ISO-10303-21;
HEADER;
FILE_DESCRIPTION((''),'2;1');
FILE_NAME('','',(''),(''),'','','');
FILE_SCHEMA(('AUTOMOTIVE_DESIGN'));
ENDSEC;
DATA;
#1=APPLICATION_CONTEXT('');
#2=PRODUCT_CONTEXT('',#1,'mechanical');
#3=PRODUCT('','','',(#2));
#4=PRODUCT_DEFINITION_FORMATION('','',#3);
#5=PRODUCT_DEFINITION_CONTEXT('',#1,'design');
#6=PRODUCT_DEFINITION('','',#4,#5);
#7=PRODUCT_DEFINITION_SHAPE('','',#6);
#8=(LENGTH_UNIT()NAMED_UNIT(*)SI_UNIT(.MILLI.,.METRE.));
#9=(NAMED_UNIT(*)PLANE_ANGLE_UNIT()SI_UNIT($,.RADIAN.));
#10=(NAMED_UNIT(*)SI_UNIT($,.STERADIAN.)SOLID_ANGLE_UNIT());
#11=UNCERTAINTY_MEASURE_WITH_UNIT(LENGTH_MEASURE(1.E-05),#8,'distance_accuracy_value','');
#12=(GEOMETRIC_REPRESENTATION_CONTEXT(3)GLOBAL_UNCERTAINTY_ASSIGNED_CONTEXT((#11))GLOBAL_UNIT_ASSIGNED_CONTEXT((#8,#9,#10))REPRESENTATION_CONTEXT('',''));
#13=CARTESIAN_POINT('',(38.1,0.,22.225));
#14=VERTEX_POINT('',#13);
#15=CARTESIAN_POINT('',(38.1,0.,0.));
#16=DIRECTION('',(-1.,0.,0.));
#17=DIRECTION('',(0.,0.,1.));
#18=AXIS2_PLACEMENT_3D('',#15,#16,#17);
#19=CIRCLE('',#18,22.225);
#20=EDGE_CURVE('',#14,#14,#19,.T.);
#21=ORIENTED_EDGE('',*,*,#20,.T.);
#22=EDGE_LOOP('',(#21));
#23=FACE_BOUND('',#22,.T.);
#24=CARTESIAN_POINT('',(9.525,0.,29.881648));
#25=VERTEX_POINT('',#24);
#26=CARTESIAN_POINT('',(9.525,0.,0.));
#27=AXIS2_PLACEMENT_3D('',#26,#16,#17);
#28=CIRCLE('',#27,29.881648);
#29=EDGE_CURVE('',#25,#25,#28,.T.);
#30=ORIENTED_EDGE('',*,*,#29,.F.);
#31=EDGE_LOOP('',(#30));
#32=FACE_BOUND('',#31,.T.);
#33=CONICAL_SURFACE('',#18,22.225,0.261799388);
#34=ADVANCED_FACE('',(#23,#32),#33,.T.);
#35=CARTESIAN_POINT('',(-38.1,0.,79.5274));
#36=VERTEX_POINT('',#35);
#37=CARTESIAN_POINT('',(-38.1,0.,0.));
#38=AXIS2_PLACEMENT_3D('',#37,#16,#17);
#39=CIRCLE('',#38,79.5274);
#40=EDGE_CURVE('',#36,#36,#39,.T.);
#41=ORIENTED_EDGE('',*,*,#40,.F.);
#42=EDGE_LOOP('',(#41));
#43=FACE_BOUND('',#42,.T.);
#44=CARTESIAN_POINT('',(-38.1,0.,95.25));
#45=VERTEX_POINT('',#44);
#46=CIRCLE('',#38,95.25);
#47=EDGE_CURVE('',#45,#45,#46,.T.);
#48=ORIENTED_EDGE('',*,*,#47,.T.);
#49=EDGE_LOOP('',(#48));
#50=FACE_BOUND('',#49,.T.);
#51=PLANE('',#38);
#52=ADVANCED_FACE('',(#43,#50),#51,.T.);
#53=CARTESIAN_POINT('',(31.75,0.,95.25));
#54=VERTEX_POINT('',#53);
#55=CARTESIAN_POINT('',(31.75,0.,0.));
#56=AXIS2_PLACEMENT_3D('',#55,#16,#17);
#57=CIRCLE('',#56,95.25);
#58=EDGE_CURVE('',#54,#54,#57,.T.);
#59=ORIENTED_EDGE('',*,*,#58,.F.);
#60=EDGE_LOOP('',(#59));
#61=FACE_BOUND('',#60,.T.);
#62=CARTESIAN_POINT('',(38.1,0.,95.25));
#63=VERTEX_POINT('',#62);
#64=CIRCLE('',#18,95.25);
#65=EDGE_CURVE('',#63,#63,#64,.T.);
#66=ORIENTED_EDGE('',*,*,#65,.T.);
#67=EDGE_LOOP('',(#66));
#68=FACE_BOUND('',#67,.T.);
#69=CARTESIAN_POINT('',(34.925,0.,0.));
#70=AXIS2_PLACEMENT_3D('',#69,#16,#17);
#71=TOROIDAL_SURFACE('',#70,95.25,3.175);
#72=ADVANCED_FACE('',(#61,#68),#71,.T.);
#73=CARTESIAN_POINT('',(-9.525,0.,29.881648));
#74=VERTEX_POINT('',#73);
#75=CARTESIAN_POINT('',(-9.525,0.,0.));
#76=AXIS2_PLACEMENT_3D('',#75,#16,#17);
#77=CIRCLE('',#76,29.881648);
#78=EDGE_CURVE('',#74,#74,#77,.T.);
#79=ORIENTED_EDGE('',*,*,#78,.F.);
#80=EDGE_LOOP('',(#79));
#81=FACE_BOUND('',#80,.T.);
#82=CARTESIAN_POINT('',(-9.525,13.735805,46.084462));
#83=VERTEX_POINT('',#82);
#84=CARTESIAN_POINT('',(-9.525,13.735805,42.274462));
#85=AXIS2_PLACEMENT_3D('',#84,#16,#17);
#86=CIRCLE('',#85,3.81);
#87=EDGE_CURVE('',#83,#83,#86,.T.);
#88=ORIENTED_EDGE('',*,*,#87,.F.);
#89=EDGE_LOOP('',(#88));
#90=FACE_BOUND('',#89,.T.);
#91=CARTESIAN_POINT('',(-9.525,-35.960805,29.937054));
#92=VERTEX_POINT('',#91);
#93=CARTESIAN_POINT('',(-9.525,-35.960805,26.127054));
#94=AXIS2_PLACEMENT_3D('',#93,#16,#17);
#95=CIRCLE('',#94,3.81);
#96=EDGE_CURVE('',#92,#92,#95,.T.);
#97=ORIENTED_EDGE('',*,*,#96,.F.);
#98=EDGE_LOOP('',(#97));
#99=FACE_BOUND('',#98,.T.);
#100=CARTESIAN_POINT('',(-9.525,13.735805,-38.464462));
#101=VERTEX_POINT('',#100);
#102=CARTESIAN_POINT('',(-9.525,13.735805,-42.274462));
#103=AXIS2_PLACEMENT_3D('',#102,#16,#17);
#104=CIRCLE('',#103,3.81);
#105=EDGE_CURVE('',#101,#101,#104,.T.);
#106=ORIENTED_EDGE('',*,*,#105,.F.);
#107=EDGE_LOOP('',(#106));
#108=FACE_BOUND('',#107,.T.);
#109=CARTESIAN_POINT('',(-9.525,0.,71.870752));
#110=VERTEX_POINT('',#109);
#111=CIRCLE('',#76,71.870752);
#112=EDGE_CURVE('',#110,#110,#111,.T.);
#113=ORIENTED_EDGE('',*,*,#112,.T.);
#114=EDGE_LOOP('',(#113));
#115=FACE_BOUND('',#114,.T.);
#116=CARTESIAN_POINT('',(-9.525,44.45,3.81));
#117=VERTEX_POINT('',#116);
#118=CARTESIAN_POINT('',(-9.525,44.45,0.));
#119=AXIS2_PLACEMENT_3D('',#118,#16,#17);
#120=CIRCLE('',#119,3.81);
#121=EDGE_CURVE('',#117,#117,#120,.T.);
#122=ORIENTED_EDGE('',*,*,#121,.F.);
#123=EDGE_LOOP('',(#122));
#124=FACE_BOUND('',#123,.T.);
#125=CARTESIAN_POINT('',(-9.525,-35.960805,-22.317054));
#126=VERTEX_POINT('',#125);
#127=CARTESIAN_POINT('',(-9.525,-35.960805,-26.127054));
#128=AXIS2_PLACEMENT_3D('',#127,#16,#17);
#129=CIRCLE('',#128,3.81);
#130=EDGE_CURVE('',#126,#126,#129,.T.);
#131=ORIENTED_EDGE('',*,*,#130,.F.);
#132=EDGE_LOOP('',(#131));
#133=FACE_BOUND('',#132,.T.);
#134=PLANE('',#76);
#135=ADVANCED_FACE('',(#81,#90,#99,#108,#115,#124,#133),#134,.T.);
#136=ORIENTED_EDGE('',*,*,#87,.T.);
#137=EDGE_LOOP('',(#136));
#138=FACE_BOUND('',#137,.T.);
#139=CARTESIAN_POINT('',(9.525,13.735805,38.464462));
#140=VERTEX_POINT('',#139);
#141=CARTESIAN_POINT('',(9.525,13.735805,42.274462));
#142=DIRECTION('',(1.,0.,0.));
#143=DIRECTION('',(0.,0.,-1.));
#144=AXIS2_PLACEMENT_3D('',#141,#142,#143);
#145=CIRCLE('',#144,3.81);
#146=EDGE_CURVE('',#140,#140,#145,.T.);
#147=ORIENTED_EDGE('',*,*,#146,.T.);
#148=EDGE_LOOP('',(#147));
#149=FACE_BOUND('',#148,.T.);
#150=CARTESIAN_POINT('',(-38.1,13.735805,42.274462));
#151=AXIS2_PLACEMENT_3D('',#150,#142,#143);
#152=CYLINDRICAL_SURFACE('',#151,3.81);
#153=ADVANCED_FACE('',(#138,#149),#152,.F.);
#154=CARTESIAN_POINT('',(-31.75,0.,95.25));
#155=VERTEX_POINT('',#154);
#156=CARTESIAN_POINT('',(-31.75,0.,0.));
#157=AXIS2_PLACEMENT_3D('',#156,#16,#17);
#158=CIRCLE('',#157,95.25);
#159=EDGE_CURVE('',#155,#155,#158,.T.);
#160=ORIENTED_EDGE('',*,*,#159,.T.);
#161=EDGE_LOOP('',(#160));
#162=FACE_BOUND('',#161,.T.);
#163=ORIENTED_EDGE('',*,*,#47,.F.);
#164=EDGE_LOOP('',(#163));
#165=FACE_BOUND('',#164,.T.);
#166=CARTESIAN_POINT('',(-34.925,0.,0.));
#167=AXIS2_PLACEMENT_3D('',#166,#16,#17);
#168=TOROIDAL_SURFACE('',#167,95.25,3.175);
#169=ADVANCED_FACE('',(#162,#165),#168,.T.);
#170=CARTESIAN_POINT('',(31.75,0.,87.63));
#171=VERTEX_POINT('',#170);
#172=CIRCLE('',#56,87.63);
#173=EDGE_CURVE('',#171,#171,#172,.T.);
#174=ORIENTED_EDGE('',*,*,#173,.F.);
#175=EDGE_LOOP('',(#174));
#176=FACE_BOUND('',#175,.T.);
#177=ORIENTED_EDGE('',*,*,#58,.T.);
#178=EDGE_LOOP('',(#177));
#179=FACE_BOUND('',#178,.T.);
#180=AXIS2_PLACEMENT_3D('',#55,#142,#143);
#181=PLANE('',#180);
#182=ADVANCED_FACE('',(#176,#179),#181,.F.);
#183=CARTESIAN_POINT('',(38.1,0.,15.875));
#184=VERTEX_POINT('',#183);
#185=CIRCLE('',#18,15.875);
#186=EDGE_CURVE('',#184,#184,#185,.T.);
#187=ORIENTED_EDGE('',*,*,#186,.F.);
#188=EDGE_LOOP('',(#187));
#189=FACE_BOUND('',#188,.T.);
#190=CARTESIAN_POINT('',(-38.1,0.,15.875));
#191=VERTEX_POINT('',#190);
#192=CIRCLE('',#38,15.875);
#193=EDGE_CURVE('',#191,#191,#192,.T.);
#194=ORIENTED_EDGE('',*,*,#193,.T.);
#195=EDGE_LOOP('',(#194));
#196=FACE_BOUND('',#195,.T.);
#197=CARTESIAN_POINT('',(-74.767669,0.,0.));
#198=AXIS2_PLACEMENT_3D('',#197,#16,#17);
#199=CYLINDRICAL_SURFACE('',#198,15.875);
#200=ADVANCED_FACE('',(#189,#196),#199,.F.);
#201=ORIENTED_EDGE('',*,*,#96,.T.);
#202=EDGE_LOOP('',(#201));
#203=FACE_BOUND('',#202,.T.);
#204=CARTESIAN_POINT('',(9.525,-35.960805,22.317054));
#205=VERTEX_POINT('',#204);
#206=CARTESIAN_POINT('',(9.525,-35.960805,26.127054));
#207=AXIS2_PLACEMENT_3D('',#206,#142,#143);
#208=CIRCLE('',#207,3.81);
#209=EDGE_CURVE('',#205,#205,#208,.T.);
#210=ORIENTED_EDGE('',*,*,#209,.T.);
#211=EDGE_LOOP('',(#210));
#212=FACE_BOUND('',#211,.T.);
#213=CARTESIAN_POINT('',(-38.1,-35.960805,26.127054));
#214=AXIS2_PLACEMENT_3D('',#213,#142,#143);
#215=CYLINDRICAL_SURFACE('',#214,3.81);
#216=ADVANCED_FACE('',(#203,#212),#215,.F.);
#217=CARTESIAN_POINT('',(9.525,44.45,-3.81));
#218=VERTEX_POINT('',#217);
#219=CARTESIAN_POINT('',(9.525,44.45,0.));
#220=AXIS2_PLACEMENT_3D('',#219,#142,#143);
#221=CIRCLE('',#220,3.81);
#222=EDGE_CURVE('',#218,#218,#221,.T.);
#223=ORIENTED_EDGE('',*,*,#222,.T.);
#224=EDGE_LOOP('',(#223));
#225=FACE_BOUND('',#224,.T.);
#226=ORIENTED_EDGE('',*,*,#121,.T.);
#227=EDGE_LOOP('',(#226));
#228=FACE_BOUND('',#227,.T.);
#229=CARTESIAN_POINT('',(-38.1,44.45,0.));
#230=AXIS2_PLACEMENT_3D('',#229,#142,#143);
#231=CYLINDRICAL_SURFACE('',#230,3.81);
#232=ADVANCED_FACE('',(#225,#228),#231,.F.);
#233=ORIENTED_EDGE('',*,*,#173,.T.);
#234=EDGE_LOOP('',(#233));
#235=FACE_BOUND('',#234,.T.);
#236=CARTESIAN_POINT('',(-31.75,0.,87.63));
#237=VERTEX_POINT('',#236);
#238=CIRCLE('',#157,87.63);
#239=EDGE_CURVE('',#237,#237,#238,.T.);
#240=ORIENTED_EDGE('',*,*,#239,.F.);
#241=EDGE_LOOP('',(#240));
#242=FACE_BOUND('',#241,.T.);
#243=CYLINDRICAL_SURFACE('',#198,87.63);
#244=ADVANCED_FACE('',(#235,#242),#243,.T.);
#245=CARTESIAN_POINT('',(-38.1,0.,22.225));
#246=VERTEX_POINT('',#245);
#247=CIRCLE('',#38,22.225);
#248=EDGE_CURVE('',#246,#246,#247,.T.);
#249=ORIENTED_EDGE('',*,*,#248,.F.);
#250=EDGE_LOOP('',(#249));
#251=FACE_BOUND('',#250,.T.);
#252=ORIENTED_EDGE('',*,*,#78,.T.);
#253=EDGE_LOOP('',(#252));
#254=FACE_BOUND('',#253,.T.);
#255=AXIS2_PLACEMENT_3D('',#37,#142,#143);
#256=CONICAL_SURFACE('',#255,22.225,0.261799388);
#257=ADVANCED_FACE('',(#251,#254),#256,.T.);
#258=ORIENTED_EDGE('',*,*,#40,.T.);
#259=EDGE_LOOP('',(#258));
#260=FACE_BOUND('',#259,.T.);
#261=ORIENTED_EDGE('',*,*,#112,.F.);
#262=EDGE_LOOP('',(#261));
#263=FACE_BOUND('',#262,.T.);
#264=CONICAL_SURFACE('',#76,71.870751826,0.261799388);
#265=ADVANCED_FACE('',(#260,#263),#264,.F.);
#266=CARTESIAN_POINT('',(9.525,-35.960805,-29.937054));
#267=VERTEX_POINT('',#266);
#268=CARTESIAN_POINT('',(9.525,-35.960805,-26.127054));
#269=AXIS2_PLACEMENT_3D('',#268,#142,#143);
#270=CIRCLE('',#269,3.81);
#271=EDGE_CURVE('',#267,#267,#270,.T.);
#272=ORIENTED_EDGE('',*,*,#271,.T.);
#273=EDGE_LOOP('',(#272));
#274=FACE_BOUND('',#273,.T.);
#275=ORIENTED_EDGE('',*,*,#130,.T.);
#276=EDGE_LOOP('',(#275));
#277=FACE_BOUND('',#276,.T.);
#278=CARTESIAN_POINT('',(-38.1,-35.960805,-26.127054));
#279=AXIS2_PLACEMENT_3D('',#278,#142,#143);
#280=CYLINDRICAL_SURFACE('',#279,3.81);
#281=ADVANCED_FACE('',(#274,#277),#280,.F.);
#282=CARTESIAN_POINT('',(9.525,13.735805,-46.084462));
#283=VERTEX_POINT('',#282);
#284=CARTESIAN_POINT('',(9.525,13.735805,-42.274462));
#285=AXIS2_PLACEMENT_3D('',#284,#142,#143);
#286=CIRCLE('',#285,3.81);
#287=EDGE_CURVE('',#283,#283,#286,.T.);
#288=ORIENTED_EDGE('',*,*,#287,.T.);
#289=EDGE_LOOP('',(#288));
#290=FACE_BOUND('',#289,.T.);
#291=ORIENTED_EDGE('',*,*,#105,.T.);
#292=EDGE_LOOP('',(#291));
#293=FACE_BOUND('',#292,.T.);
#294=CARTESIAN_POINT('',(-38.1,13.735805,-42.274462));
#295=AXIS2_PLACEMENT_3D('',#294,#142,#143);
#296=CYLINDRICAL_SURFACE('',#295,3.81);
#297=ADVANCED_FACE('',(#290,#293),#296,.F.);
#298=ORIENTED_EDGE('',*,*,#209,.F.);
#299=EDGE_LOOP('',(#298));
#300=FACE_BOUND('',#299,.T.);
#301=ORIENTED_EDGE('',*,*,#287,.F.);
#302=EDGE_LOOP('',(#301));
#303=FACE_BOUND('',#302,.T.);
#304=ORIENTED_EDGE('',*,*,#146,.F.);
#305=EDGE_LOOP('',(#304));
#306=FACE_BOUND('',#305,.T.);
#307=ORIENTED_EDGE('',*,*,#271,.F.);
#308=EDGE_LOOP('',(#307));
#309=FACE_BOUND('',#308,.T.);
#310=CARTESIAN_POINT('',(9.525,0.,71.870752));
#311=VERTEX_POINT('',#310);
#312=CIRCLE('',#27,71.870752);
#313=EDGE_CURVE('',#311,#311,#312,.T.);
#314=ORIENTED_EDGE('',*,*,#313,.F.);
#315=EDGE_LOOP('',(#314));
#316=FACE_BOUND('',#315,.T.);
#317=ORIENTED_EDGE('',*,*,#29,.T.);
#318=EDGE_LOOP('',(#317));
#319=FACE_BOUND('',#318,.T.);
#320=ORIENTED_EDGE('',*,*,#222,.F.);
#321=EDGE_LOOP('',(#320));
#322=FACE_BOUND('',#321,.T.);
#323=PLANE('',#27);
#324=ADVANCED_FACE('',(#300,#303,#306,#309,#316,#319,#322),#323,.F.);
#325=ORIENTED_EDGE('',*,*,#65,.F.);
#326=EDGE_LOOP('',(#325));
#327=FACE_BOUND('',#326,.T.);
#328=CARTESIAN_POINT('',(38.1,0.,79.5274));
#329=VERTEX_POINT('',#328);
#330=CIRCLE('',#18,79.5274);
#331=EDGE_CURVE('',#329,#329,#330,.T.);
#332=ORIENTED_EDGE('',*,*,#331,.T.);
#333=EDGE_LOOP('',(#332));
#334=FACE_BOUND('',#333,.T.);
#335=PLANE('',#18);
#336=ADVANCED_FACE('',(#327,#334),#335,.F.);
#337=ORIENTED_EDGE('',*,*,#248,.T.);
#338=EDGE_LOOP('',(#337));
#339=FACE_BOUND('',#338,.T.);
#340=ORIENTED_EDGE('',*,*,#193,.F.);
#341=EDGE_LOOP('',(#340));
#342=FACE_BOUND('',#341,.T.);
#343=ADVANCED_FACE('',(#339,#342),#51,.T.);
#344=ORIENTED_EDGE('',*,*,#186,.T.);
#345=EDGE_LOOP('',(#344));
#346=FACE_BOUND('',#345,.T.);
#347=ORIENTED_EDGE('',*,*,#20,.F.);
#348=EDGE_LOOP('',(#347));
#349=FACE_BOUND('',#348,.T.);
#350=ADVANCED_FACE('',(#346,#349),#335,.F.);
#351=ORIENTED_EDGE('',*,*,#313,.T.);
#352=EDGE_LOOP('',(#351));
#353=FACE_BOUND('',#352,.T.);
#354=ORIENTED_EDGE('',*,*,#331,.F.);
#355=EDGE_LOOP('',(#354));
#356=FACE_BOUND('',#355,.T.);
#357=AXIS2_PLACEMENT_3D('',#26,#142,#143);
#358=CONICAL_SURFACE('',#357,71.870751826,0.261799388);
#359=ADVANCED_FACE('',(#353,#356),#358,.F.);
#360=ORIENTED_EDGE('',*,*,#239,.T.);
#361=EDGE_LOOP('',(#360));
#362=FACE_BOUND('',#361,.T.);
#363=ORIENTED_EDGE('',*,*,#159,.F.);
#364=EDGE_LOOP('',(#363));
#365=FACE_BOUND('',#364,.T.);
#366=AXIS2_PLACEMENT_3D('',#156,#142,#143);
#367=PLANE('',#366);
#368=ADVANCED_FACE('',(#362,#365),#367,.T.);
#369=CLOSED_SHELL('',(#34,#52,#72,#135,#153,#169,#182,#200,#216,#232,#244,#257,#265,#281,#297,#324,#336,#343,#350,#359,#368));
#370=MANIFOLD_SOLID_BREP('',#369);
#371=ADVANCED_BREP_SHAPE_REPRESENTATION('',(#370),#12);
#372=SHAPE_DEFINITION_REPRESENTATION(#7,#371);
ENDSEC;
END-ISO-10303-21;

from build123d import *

# Parameters (mm, degrees)
SKETCH2_R          = 3.81
CUT_EXTRUDE1_DEPTH = 148.115947179


with BuildPart() as part:
    # Sketch1 → Revolve1 (revolve)
    with BuildSketch(Plane.XY, mode=Mode.PRIVATE) as revolve1_sk:
        with BuildLine():
            ThreePointArc((-38.1, 95.25), (-34.925, 98.425), (-31.75, 95.25))
            Line((-31.75, 95.25), (-31.75, 87.63))
            Line((-31.75, 87.63), (31.75, 87.63))
            Line((31.75, 87.63), (31.75, 95.25))
            ThreePointArc((31.75, 95.25), (34.925, 98.425), (38.1, 95.25))
            Line((38.1, 95.25), (38.1, 79.5274))
            Line((38.1, 79.5274), (9.525, 71.870751826))
            Line((9.525, 71.870751826), (9.525, 29.881648174))
            Line((9.525, 29.881648174), (38.1, 22.225))
            Line((38.1, 22.225), (38.1, 15.875))
            Line((38.1, 15.875), (-38.1, 15.875))
            Line((-38.1, 15.875), (-38.1, 22.225))
            Line((-38.1, 22.225), (-9.525, 29.881648174))
            Line((-9.525, 29.881648174), (-9.525, 71.870751826))
            Line((-9.525, 71.870751826), (-38.1, 79.5274))
            Line((-38.1, 79.5274), (-38.1, 95.25))
        make_face()
    revolve(revolve1_sk.sketch.rotate(Axis((-74.767669173, 0, 0), (1, 0, 0)), 90), axis=Axis((-74.767669173, 0, 0), (1, 0, 0)))

    # Sketch2 → Cut-Extrude1 (cut, through all)
    with BuildSketch(Plane(origin=(9.525, 0, 0), x_dir=(0, 0, -1), z_dir=(1, 0, 0))):
        with Locations((0, 44.45)):
            Circle(SKETCH2_R)
        with Locations((42.274462149, 13.7358054)):
            Circle(SKETCH2_R)
        with Locations((26.127054464, -35.9608054)):
            Circle(SKETCH2_R)
        with Locations((-26.127054464, -35.9608054)):
            Circle(SKETCH2_R)
        with Locations((-42.274462149, 13.7358054)):
            Circle(SKETCH2_R)
    extrude(amount=-CUT_EXTRUDE1_DEPTH, mode=Mode.SUBTRACT)


solid = part.part
